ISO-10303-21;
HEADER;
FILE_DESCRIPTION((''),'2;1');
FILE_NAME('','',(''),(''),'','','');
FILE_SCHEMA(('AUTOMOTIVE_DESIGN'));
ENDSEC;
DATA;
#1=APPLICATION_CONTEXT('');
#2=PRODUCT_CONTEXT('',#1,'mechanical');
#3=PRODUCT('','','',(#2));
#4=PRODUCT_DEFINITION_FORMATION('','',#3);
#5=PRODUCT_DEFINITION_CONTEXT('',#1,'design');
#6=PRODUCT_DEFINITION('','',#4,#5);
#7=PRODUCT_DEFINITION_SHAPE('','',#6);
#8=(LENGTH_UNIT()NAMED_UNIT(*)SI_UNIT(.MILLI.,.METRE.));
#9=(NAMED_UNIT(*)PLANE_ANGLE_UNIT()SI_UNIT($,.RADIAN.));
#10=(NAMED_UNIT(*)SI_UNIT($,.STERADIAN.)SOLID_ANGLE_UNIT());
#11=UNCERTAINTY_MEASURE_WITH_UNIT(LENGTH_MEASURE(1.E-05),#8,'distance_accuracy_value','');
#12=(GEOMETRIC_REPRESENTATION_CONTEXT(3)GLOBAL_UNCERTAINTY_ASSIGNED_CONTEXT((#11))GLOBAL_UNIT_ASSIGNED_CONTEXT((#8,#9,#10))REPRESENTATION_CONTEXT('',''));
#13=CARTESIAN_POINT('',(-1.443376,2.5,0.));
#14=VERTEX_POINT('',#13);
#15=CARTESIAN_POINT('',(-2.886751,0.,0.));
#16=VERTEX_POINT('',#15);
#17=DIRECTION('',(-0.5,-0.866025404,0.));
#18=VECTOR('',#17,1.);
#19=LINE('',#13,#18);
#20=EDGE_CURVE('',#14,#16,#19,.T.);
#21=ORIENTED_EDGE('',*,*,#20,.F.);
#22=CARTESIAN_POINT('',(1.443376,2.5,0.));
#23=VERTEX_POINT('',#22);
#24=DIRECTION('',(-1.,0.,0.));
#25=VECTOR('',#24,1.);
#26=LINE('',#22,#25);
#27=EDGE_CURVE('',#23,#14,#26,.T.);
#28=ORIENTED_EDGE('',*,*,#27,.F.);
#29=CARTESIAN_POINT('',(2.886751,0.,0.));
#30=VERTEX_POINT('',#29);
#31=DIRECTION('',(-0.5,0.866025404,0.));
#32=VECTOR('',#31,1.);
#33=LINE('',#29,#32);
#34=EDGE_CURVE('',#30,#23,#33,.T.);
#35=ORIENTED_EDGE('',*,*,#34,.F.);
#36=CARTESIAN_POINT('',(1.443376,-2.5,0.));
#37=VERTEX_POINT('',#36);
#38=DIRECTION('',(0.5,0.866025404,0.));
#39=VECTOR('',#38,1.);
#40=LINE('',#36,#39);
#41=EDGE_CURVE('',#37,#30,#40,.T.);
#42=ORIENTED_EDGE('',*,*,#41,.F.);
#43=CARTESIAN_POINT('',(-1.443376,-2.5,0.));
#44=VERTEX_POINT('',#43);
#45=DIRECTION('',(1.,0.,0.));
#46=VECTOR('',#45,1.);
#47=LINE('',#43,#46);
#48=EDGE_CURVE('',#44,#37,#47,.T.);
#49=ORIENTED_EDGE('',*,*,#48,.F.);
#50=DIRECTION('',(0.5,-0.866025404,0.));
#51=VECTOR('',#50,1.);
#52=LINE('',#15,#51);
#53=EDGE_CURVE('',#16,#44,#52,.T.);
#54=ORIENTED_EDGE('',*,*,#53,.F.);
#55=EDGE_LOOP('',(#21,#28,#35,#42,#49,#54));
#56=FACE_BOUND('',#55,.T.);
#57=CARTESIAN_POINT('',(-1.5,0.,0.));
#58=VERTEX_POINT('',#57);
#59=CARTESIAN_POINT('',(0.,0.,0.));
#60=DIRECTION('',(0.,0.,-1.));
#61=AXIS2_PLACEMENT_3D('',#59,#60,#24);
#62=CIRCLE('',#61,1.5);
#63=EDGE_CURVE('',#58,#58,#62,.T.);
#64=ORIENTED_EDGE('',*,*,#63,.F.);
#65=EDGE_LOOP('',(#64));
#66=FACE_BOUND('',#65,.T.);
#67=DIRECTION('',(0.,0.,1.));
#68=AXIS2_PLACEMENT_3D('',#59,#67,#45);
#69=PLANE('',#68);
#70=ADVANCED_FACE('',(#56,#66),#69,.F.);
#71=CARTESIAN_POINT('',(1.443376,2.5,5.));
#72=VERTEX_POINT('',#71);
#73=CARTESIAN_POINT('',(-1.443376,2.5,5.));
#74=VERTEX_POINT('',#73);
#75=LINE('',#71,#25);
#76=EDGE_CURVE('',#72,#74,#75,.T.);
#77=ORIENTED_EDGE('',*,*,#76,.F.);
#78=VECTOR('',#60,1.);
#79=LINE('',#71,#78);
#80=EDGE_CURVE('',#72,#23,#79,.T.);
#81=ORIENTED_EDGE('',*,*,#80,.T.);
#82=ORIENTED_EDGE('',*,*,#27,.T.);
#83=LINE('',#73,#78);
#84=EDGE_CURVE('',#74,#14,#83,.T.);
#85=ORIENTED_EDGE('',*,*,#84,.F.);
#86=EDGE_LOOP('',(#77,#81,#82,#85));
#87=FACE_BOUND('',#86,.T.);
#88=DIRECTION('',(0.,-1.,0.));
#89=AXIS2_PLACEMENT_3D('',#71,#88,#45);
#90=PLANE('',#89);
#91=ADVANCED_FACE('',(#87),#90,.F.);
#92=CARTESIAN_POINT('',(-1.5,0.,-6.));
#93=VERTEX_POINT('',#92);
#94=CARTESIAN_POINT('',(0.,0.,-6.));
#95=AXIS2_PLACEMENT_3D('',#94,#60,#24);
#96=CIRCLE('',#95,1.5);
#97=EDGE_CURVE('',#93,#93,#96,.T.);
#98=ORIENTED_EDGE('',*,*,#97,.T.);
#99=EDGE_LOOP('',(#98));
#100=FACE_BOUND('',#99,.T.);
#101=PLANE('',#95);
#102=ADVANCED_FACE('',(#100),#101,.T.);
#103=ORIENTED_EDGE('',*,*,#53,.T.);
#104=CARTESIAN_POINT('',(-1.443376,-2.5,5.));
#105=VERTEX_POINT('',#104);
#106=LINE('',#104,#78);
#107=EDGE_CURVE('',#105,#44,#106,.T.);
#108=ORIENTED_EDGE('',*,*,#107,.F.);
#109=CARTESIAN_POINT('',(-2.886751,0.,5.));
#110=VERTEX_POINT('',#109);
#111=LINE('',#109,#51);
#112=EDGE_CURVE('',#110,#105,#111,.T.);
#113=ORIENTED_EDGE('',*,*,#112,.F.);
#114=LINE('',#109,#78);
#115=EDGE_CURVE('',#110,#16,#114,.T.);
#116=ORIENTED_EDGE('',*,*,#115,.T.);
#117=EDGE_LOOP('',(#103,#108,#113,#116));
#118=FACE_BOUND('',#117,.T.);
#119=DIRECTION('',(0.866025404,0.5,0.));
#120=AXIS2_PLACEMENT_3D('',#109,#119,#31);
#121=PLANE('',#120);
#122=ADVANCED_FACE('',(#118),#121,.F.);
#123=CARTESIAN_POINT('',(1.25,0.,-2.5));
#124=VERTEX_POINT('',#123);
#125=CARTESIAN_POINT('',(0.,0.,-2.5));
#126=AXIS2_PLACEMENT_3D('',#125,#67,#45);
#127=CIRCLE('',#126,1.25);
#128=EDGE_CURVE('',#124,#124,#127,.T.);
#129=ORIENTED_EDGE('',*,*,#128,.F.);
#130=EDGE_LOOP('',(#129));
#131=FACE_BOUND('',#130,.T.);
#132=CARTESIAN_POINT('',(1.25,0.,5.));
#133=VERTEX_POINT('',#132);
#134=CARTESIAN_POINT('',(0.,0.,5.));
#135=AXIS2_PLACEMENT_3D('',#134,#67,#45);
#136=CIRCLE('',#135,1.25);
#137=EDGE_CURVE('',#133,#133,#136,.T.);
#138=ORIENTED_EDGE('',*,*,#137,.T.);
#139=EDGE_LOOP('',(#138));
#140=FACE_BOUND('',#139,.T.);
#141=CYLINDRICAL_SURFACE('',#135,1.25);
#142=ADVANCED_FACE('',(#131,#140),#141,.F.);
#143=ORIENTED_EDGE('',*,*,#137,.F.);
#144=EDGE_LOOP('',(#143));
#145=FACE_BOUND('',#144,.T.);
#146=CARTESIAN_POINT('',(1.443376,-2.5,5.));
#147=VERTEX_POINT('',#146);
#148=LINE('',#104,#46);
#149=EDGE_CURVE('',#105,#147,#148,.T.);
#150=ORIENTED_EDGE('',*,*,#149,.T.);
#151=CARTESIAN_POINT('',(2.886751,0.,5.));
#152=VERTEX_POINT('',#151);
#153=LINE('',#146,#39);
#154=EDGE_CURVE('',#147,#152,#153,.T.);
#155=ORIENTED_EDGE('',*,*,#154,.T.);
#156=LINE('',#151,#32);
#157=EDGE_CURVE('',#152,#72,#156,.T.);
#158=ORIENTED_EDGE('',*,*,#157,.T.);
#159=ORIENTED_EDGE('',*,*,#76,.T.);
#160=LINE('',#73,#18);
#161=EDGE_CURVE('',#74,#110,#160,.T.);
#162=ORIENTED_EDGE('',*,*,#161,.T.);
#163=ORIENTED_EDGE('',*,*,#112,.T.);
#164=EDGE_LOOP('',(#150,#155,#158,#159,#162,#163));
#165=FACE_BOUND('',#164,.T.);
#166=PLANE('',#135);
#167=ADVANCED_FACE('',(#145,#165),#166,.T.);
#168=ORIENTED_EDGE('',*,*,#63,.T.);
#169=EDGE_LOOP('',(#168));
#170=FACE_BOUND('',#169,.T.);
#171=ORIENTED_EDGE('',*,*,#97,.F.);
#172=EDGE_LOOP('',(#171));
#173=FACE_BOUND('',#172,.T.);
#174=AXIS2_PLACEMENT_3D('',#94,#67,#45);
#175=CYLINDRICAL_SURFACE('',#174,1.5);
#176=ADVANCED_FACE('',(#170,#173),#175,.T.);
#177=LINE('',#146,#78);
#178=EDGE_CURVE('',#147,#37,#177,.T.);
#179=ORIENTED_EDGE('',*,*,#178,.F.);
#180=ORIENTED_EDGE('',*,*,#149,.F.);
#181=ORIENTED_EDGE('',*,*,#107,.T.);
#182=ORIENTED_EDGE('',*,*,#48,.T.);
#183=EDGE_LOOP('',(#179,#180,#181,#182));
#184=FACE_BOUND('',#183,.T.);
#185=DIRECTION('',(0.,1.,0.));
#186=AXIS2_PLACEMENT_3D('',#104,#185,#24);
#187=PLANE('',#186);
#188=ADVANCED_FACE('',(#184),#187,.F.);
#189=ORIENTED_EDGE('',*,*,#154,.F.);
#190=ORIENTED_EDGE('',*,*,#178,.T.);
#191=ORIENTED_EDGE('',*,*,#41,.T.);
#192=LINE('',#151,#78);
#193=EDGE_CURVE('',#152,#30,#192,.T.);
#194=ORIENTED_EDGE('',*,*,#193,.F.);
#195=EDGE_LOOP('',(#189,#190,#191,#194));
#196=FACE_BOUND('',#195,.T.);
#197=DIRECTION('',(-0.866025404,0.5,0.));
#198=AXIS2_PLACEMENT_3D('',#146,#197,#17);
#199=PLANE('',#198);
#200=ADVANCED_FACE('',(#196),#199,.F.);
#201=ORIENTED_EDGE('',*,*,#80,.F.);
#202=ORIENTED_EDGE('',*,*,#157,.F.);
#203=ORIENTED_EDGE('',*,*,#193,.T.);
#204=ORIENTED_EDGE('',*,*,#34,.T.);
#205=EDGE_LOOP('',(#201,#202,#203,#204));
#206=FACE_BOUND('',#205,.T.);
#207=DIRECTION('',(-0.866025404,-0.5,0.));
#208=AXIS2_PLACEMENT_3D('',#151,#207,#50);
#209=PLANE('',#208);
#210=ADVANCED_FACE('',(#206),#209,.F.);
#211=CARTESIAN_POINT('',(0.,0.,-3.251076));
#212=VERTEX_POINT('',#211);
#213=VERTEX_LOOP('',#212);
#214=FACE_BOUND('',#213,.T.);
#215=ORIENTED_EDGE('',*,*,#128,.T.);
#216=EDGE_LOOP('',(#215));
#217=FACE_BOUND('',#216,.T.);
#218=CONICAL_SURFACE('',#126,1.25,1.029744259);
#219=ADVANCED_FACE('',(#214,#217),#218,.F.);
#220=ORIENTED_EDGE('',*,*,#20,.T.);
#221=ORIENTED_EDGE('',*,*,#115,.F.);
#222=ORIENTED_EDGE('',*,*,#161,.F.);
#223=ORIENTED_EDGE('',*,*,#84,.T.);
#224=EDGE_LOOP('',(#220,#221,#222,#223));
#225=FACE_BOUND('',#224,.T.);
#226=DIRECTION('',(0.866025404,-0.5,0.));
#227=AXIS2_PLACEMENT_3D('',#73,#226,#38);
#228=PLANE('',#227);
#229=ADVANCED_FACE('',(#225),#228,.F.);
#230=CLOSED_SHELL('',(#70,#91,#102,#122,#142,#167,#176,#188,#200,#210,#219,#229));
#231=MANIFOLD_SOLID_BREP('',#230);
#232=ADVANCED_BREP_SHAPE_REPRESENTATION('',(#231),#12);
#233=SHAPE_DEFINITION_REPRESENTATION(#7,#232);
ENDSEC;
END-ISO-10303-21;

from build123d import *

# Parameters (mm, degrees)
EXTRUDE_1_DEPTH = 5
SKETCH_4_R      = 1.5
EXTRUDE_2_DEPTH = 6
M3X0_5_1_D      = 2.5
M3X0_5_1_DEPTH  = 7.5
M3X0_5_1_TIP    = 0.751075774


with BuildPart() as part:
    # 草圖1 → 填料-伸長1 (new body)
    with BuildSketch(Plane.XY):
        Polygon((-1.443375673, 2.5), (-2.886751346, 0), (-1.443375673, -2.5), (1.443375673, -2.5), (2.886751346, 0), (1.443375673, 2.5), align=None)
    extrude(amount=EXTRUDE_1_DEPTH)

    # 草圖4 → 填料-伸長2 (add)
    with BuildSketch(Plane(origin=(0, 0, 0), x_dir=(-1, 0, 0), z_dir=(0, 0, -1))):
        Circle(SKETCH_4_R)
    extrude(amount=EXTRUDE_2_DEPTH)

    # M3x0.5 螺紋孔1
    with Locations(Plane.XY.offset(5)):
        with Locations((0, 0)):
            Hole(M3X0_5_1_D / 2, depth=M3X0_5_1_DEPTH)
            with Locations((0, 0, -(M3X0_5_1_DEPTH + M3X0_5_1_TIP / 2))):  # 118° drill point
                Cone(0, M3X0_5_1_D / 2, M3X0_5_1_TIP, mode=Mode.SUBTRACT)


solid = part.part
